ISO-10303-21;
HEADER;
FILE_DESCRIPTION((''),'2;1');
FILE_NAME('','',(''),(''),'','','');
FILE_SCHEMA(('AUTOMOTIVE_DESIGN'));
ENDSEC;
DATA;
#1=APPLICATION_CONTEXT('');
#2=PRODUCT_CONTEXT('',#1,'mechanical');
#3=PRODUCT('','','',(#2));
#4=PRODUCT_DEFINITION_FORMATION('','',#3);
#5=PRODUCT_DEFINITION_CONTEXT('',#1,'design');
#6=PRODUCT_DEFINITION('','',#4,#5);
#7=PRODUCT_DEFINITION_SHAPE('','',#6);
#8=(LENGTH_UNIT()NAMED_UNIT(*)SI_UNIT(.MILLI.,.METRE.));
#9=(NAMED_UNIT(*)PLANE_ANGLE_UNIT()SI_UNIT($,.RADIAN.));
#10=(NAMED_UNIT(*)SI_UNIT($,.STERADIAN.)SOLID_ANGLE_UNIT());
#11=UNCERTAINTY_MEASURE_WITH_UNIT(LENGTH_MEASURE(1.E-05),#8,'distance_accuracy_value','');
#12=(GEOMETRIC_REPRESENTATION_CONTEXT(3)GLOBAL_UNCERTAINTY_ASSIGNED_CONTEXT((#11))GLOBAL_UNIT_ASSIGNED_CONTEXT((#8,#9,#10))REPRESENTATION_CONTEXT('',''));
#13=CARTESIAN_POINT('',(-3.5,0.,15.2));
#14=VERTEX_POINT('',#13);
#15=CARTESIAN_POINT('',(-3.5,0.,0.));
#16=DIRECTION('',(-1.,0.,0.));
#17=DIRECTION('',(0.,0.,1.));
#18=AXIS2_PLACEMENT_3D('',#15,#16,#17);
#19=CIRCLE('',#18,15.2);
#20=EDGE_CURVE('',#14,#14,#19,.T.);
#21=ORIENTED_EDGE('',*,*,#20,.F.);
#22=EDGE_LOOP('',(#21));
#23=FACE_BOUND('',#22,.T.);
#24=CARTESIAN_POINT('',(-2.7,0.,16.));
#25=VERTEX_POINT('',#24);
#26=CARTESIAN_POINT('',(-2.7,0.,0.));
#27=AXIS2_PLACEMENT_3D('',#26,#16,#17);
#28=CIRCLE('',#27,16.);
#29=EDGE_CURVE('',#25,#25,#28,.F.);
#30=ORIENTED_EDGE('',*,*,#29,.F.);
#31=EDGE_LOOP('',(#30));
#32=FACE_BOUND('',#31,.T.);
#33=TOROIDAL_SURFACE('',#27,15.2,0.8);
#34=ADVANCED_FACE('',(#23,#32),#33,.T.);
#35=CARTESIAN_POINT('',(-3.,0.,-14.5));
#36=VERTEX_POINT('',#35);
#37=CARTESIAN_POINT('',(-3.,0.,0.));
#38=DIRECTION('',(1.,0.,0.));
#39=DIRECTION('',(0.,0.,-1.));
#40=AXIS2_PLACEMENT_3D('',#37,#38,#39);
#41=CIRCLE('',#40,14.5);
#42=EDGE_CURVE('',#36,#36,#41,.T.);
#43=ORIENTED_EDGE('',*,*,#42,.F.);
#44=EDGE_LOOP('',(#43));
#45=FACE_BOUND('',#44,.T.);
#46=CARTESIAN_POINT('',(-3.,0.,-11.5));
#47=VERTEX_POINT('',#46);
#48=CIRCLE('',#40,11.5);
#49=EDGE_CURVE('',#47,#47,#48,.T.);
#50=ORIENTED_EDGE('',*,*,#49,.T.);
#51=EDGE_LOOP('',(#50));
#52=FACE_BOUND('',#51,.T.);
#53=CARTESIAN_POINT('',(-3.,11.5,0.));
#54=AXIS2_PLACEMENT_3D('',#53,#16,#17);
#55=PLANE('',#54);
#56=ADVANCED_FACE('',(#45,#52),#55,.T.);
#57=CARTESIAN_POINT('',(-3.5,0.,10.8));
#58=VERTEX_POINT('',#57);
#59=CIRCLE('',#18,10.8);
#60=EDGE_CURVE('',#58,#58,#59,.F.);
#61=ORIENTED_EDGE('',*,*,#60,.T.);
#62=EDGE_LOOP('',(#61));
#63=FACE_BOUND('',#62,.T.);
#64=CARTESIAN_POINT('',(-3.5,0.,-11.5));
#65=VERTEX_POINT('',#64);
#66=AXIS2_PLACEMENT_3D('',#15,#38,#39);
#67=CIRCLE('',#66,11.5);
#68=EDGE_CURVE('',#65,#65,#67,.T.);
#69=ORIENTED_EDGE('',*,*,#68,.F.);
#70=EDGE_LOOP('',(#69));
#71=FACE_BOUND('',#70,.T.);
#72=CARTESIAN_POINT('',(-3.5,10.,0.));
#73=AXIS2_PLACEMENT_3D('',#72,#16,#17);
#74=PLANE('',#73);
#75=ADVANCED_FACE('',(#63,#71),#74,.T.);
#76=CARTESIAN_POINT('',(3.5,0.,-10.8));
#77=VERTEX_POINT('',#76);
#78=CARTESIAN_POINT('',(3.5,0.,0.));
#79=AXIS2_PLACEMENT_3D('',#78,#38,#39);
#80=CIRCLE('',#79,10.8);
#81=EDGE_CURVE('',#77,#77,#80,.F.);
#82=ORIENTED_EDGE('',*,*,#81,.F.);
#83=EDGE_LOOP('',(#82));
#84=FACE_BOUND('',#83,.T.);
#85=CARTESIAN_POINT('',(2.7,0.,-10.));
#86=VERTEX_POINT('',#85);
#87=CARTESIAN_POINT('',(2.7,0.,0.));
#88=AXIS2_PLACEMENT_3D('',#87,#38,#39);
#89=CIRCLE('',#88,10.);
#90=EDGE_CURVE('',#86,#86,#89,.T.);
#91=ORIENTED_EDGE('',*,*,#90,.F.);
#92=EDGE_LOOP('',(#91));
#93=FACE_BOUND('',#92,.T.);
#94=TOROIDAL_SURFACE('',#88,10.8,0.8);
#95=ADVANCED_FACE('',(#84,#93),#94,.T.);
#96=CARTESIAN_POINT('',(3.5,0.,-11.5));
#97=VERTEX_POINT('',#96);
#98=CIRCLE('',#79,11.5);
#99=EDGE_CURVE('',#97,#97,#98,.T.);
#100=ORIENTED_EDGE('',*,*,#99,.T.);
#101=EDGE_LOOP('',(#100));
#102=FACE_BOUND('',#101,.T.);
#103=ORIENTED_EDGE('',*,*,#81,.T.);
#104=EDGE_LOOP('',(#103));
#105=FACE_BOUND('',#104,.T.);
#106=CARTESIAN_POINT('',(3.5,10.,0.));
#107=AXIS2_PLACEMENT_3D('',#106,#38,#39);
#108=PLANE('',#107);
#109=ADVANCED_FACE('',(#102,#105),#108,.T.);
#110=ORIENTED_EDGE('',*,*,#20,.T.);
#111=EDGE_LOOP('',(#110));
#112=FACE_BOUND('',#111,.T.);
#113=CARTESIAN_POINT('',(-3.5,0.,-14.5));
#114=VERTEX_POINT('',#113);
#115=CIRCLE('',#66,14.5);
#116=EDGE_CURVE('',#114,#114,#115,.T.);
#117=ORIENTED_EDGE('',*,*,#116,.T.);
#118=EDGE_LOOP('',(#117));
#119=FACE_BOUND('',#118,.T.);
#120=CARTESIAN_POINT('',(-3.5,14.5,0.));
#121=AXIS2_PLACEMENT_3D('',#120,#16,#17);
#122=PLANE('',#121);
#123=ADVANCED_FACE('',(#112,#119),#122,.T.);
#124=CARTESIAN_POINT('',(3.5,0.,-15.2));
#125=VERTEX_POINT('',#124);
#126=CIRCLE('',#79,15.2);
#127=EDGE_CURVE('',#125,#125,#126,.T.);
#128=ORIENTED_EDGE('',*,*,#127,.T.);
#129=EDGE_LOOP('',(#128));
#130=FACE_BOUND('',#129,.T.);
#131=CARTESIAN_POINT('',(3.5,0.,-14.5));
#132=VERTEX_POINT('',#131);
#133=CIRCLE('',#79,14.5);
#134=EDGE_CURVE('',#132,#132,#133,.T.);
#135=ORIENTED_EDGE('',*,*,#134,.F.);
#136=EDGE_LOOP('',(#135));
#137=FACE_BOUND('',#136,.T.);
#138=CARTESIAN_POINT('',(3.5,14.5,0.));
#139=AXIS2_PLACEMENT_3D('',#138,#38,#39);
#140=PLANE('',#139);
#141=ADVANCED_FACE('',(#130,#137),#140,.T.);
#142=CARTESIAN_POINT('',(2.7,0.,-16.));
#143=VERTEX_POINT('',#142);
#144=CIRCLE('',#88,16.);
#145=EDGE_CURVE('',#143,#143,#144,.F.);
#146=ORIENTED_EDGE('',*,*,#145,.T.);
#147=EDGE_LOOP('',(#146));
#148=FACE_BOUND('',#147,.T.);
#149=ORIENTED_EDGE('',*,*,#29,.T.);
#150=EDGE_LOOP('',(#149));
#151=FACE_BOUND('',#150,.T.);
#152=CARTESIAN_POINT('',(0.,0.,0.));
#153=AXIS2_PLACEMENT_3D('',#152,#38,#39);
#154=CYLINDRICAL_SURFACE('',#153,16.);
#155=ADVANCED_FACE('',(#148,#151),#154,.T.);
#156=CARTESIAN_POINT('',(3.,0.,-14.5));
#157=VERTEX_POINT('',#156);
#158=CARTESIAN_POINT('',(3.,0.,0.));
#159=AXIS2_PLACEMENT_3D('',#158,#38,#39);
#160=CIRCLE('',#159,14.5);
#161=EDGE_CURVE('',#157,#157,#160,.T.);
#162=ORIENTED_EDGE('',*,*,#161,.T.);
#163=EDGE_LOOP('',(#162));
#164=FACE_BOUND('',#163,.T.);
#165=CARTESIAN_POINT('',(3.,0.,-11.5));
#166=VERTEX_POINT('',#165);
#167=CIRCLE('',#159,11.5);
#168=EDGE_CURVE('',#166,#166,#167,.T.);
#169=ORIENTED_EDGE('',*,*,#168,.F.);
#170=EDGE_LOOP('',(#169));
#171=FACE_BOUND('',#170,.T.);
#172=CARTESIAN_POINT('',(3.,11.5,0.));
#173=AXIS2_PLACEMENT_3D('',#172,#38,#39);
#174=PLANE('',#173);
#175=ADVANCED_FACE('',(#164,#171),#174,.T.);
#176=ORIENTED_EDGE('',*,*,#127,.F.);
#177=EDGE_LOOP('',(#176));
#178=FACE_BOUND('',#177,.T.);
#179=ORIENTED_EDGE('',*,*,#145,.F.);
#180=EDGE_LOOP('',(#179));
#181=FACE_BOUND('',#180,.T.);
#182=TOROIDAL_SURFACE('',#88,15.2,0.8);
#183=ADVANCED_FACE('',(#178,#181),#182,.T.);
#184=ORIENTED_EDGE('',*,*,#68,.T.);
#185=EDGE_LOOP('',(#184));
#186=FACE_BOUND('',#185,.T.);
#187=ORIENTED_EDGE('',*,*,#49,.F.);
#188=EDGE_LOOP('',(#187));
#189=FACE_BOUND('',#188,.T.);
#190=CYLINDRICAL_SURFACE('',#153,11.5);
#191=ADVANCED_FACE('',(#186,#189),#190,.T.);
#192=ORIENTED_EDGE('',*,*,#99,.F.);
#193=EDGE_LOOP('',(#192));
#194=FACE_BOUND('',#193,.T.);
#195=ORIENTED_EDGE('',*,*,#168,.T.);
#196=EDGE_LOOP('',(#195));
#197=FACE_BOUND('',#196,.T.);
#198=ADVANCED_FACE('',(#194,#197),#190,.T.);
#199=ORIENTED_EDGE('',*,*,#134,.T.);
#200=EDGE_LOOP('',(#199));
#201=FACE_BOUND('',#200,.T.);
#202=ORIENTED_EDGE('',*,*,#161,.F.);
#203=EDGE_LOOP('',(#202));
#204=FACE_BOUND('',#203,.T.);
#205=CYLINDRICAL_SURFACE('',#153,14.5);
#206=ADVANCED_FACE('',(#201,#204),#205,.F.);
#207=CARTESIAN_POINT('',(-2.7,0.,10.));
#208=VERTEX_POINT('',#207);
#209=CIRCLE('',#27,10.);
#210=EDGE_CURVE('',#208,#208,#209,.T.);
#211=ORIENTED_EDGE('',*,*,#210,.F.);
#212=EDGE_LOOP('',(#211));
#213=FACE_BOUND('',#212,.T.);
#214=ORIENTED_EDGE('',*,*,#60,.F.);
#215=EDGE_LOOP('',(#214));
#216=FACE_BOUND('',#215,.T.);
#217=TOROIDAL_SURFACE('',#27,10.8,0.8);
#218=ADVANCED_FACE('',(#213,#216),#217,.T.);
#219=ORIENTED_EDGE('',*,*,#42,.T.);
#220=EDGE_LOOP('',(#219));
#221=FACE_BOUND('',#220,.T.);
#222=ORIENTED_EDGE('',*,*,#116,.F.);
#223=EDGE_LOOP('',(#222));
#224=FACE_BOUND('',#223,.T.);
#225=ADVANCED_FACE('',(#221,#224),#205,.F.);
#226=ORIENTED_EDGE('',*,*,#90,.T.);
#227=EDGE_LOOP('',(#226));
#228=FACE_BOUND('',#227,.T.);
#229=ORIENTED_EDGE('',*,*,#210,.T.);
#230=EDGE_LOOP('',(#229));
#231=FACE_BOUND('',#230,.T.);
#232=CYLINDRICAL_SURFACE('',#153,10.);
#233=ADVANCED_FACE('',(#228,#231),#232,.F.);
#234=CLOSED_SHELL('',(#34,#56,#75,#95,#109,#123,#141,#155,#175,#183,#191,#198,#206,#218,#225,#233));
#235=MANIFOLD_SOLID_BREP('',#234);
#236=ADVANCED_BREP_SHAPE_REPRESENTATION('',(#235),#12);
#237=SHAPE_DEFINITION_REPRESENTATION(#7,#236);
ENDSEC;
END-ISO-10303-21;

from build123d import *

# Parameters (mm, degrees)
FILLET_1_R = 0.8


with BuildPart() as part:
    # Эскиз1 → Повернуть1 (revolve)
    with BuildSketch(Plane.XY, mode=Mode.PRIVATE) as revolve_1_sk:
        Polygon((3.5, 10), (-3.5, 10), (-3.5, 11.5), (-3, 11.5), (-3, 14.5), (-3.5, 14.5), (-3.5, 16), (3.5, 16), (3.5, 14.5), (3, 14.5), (3, 11.5), (3.5, 11.5), align=None)
    revolve(revolve_1_sk.sketch.rotate(Axis((0, 0, 0), (-1, 0, 0)), 90), axis=Axis((0, 0, 0), (-1, 0, 0)))

    # Скругление1
    fillet_1_edges = [part.edges().sort_by_distance(p)[0] for p in [
        (-3.5, 0, 16),
        (3.5, 0, 16),
        (3.5, 0, 10),
        (-3.5, 0, 10),
    ]]
    fillet(fillet_1_edges, radius=FILLET_1_R)


solid = part.part
